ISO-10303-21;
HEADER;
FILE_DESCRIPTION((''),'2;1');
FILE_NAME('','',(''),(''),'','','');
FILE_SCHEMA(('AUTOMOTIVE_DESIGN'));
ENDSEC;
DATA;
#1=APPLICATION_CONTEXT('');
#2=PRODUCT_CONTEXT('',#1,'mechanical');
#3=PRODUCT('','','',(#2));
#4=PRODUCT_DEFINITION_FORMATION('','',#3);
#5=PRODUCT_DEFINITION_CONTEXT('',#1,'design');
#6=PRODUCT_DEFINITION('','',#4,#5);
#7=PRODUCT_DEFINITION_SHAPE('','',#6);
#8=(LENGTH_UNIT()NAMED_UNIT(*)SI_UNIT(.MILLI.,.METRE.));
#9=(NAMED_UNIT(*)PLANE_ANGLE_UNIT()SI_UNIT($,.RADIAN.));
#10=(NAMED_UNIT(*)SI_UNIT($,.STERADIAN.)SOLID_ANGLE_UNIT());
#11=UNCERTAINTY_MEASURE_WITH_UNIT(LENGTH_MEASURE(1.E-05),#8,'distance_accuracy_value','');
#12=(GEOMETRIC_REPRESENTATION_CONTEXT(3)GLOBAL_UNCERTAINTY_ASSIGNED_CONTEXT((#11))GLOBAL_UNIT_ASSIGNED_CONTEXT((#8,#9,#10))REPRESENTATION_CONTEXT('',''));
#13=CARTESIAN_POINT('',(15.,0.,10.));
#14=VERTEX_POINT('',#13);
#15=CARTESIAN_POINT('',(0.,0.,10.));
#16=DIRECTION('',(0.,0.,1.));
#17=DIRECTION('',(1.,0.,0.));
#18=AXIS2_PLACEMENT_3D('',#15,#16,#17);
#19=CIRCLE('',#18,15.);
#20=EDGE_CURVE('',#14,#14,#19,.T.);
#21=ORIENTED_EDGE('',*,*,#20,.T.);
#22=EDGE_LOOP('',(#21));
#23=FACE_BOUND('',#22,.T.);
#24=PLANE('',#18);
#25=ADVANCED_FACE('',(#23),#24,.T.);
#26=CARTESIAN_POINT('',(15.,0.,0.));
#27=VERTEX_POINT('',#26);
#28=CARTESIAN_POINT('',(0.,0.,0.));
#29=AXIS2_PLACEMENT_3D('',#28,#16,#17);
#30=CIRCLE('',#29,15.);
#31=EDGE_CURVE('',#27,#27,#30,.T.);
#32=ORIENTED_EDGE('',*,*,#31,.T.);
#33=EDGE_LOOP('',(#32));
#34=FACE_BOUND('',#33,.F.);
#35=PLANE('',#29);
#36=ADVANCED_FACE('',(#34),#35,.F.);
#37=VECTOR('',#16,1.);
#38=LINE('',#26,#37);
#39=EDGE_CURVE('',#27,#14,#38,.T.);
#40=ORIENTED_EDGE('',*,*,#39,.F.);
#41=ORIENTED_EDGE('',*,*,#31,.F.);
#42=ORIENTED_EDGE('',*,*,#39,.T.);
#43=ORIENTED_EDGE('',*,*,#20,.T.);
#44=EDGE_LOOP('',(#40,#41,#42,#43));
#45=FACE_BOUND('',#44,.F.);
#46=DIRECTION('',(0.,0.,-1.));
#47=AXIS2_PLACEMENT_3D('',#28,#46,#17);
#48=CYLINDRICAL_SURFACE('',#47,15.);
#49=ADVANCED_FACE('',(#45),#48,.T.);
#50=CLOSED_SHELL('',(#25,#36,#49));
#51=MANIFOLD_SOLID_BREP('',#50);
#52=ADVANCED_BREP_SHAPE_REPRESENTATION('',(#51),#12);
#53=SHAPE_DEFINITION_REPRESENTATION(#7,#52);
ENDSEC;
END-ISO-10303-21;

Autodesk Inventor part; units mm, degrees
ref_plane "YZ Plane" through (0, 0, 0) normal (1, 0, 0) x (0, 1, 0)
ref_plane "XZ Plane" through (0, 0, 0) normal (0, 1, 0) x (-1, 0, 0)
ref_plane "XY Plane" through (0, 0, 0) normal (0, 0, 1) x (1, 0, 0)
sketch "Sketch1" plane through (0, 0, 0) normal (0, 0, 1) x (1, 0, 0)
  circle A0 centre (0, 0) radius 44.45
  circle A1 centre (0, 0) radius 41.45
  circle A2 centre (0, 0) radius 600
  circle A3 centre (144.9387, 540.9185) radius 100
  circle A4 centre (-144.9387, 540.9185) radius 100
  circle A5 centre (-395.9798, 395.9798) radius 100
  circle A6 centre (-540.9185, 144.9387) radius 100
  circle A7 centre (-540.9185, -144.9387) radius 100
  circle A8 centre (-395.9798, -395.9798) radius 100
  circle A9 centre (-144.9387, -540.9185) radius 100
  circle A10 centre (144.9387, -540.9185) radius 100
  circle A11 centre (395.9798, -395.9798) radius 100
  circle A12 centre (540.9185, -144.9387) radius 100
  circle A13 centre (230, 398.3717) radius 100
  circle A14 centre (0, 460) radius 100
  circle A15 centre (-230, 398.3717) radius 100
  circle A16 centre (-398.3717, 230) radius 100
  circle A17 centre (-460, 0) radius 100
  circle A18 centre (-398.3717, -230) radius 100
  circle A19 centre (-230, -398.3717) radius 100
  circle A20 centre (0, -460) radius 100
  circle A21 centre (230, -398.3717) radius 100
  circle A22 centre (398.3717, -230) radius 100
  circle A23 centre (-212.132, 212.132) radius 100
  circle A24 centre (-289.7777, 77.6457) radius 100
  circle A25 centre (-289.7777, -77.6457) radius 100
  circle A26 centre (-212.132, -212.132) radius 100
  circle A27 centre (-77.6457, -289.7777) radius 100
  circle A28 centre (77.6457, -289.7777) radius 100
  circle A29 centre (212.132, -212.132) radius 100
  circle A30 centre (289.7777, -77.6457) radius 100
  circle A31 centre (98.9949, 98.9949) radius 100
  circle A32 centre (289.7777, 77.6457) radius 100
  circle A33 centre (212.132, 212.132) radius 100
  circle A34 centre (-98.9949, 98.9949) radius 100
  circle A35 centre (-98.9949, -98.9949) radius 100
  circle A36 centre (98.9949, -98.9949) radius 100
  circle A37 centre (460, 0) radius 100
  circle A38 centre (398.3717, 230) radius 100
  circle A39 centre (77.6457, 289.7777) radius 100
  circle A40 centre (-77.6457, 289.7777) radius 100
  circle A41 centre (540.9185, 144.9387) radius 100
  circle A42 centre (395.9798, 395.9798) radius 100
  line L0 (0, 0) -> (-600, 0) construction
  line L1 (0, 0) -> (-540.9185, 144.9387) construction
  line L2 (-460, 0) -> (0, 0) construction
  line L3 (0, 0) -> (-289.7777, -77.6457) construction
  line L4 (-98.9949, -98.9949) -> (0, 0) construction
  dimension "d2" = 1200
  dimension "d0" = 88.9
  dimension "d1" = 3
  dimension "d5" = 360
  dimension "d9" = 360
  dimension "d11" = 200
  dimension "d14" = 360
  dimension "d18" = 360
  dimension "d20" = 15
  dimension "d21" = 0
  dimension "d22" = 15
  dimension "d23" = 45
  dimension "d24" = 140
  dimension "d25" = 300
  dimension "d26" = 460
  dimension "d27" = 560
sketch "Sketch2" plane through (0, 0, 0) normal (0, 0, 1) x (1, 0, 0)
  point P0 (0, 0)
  point P1 (-98.9949, -98.9949)
  point P2 (98.9949, -98.9949)
  point P3 (98.9949, 98.9949)
  point P4 (-98.9949, 98.9949)
  point P5 (-77.6457, 289.7777)
  point P6 (77.6457, 289.7777)
  point P7 (212.132, 212.132)
  point P8 (289.7777, 77.6457)
  point P9 (289.7777, -77.6457)
  point P10 (212.132, -212.132)
  point P11 (77.6457, -289.7777)
  point P12 (-77.6457, -289.7777)
  point P13 (0, -460)
  point P14 (230, -398.3717)
  point P15 (144.9387, -540.9185)
  point P16 (395.9798, -395.9798)
  point P17 (398.3717, -230)
  point P18 (540.9185, -144.9387)
  point P19 (460, 0)
  point P20 (540.9185, 144.9387)
  point P21 (398.3717, 230)
  point P22 (395.9798, 395.9798)
  point P23 (230, 398.3717)
  point P24 (144.9387, 540.9185)
  point P25 (0, 460)
  point P26 (-144.9387, 540.9185)
  point P27 (-230, 398.3717)
  point P28 (-212.132, 212.132)
  point P29 (-289.7777, 77.6457)
  point P30 (-289.7777, -77.6457)
  point P31 (-212.132, -212.132)
  point P32 (-398.3717, 230)
  point P33 (-395.9798, 395.9798)
  point P34 (-540.9185, 144.9387)
  point P35 (-460, 0)
  point P36 (-540.9185, -144.9387)
  point P37 (-398.3717, -230)
  point P38 (-395.9798, -395.9798)
  point P39 (-230, -398.3717)
  point P40 (-144.9387, -540.9185)
sketch "Sketch3" plane through (0, 0, 0) normal (0, 0, 1) x (1, 0, 0)
  circle A0 centre (0, 0) radius 15
  dimension "d28" = 30
extrude "Extrusion1" add sketch "Sketch3" along normal blind 10
sketch "Sketch4" plane through (0, 0, 0) normal (1, 0, 0) x (0, 1, 0)
  line L0 (606, 2056.7108) -> (600, 2056.7108)
  line L1 (600, 2056.7108) -> (600, 253.2892)
  line L2 (600, 253.2892) -> (606, 253.2892)
  line L3 (606, 253.2892) -> (606, 2056.7108)
  line L4 (0, 253.2892) -> (0, 1462.6576)
  line L5 (606, 253.2892) -> (606, 223.2892)
  arc A0 (552, 134.4973) -> (606, 223.2892) centre (506, 223.2892) ccw
  arc A1 (0, 0) -> (552, 134.4973) centre (0, 1200) ccw
  line L6 (0, 898.5253) -> (0, -391.9469)
  arc A2 (0, 6) -> (549.24, 139.8248) centre (0, 1200) ccw
  arc A3 (549.24, 139.8248) -> (600, 223.2892) centre (506, 223.2892) ccw
  line L7 (600, 223.2892) -> (600, 253.2892)
  line L8 (600, 253.2892) -> (606, 253.2892)
  line L9 (0, 6) -> (0, 0)
  line L10 (600, 2056.7108) -> (600, 2086.7108)
  arc A4 (600, 2086.7108) -> (549.24, 2170.1752) centre (506, 2086.7108) ccw
  arc A5 (549.24, 2170.1752) -> (0, 2304) centre (0, 1110) ccw
  line L11 (0, 2304) -> (0, 2310)
  arc A6 (552, 2175.5027) -> (0, 2310) centre (0, 1110) ccw
  arc A7 (606, 2086.7108) -> (552, 2175.5027) centre (506, 2086.7108) ccw
  line L12 (606, 2086.7108) -> (606, 2056.7108)
  line L13 (0, 2304) -> (0, 6)
  point P0 (0, 0)
  point P1 (600, 253.2892)
  point P2 (603, 253.2892)
  point P3 (0, 253.2892)
  point P4 (0, 253.2892)
  point P5 (0, 3)
  point P6 (0, 0)
  dimension "d31" = 6
  dimension "d32" = 1803.4216
  dimension "d33" = 1200
  dimension "d37" = 100
  dimension "d38" = 30
  dimension "d39" = 1200
  dimension "d40" = 6
  dimension "d41" = 1200
  dimension "d42" = 253.2892
revolve "Revolution1" [suppressed]
equation "\"d32\" = d35 - 2 * d36"
equation "\"d33\" = d34"
equation "\"d39\" = d41"
equation "\"MAIN_filter_diam\" = 1200"
equation "\"MAIN_hight\" = 2310"
equation "\"Accsess_hatch_lenght\" = 120"
equation "\"Accsess_hatch_diameter\" = 530"
equation "\"Charging_hatch_width\" = 400"
equation "\"Charging_hatch_hight\" = 180"
equation "\"Charging_hatch_lenght\" = 120"
equation "\"d35\" = 2310"
equation "\"d36\" = 253.289193"
equation "\"d34\" = 1200"
properties part number "PRS 1200-81-01 DIM Filter column D1200"
